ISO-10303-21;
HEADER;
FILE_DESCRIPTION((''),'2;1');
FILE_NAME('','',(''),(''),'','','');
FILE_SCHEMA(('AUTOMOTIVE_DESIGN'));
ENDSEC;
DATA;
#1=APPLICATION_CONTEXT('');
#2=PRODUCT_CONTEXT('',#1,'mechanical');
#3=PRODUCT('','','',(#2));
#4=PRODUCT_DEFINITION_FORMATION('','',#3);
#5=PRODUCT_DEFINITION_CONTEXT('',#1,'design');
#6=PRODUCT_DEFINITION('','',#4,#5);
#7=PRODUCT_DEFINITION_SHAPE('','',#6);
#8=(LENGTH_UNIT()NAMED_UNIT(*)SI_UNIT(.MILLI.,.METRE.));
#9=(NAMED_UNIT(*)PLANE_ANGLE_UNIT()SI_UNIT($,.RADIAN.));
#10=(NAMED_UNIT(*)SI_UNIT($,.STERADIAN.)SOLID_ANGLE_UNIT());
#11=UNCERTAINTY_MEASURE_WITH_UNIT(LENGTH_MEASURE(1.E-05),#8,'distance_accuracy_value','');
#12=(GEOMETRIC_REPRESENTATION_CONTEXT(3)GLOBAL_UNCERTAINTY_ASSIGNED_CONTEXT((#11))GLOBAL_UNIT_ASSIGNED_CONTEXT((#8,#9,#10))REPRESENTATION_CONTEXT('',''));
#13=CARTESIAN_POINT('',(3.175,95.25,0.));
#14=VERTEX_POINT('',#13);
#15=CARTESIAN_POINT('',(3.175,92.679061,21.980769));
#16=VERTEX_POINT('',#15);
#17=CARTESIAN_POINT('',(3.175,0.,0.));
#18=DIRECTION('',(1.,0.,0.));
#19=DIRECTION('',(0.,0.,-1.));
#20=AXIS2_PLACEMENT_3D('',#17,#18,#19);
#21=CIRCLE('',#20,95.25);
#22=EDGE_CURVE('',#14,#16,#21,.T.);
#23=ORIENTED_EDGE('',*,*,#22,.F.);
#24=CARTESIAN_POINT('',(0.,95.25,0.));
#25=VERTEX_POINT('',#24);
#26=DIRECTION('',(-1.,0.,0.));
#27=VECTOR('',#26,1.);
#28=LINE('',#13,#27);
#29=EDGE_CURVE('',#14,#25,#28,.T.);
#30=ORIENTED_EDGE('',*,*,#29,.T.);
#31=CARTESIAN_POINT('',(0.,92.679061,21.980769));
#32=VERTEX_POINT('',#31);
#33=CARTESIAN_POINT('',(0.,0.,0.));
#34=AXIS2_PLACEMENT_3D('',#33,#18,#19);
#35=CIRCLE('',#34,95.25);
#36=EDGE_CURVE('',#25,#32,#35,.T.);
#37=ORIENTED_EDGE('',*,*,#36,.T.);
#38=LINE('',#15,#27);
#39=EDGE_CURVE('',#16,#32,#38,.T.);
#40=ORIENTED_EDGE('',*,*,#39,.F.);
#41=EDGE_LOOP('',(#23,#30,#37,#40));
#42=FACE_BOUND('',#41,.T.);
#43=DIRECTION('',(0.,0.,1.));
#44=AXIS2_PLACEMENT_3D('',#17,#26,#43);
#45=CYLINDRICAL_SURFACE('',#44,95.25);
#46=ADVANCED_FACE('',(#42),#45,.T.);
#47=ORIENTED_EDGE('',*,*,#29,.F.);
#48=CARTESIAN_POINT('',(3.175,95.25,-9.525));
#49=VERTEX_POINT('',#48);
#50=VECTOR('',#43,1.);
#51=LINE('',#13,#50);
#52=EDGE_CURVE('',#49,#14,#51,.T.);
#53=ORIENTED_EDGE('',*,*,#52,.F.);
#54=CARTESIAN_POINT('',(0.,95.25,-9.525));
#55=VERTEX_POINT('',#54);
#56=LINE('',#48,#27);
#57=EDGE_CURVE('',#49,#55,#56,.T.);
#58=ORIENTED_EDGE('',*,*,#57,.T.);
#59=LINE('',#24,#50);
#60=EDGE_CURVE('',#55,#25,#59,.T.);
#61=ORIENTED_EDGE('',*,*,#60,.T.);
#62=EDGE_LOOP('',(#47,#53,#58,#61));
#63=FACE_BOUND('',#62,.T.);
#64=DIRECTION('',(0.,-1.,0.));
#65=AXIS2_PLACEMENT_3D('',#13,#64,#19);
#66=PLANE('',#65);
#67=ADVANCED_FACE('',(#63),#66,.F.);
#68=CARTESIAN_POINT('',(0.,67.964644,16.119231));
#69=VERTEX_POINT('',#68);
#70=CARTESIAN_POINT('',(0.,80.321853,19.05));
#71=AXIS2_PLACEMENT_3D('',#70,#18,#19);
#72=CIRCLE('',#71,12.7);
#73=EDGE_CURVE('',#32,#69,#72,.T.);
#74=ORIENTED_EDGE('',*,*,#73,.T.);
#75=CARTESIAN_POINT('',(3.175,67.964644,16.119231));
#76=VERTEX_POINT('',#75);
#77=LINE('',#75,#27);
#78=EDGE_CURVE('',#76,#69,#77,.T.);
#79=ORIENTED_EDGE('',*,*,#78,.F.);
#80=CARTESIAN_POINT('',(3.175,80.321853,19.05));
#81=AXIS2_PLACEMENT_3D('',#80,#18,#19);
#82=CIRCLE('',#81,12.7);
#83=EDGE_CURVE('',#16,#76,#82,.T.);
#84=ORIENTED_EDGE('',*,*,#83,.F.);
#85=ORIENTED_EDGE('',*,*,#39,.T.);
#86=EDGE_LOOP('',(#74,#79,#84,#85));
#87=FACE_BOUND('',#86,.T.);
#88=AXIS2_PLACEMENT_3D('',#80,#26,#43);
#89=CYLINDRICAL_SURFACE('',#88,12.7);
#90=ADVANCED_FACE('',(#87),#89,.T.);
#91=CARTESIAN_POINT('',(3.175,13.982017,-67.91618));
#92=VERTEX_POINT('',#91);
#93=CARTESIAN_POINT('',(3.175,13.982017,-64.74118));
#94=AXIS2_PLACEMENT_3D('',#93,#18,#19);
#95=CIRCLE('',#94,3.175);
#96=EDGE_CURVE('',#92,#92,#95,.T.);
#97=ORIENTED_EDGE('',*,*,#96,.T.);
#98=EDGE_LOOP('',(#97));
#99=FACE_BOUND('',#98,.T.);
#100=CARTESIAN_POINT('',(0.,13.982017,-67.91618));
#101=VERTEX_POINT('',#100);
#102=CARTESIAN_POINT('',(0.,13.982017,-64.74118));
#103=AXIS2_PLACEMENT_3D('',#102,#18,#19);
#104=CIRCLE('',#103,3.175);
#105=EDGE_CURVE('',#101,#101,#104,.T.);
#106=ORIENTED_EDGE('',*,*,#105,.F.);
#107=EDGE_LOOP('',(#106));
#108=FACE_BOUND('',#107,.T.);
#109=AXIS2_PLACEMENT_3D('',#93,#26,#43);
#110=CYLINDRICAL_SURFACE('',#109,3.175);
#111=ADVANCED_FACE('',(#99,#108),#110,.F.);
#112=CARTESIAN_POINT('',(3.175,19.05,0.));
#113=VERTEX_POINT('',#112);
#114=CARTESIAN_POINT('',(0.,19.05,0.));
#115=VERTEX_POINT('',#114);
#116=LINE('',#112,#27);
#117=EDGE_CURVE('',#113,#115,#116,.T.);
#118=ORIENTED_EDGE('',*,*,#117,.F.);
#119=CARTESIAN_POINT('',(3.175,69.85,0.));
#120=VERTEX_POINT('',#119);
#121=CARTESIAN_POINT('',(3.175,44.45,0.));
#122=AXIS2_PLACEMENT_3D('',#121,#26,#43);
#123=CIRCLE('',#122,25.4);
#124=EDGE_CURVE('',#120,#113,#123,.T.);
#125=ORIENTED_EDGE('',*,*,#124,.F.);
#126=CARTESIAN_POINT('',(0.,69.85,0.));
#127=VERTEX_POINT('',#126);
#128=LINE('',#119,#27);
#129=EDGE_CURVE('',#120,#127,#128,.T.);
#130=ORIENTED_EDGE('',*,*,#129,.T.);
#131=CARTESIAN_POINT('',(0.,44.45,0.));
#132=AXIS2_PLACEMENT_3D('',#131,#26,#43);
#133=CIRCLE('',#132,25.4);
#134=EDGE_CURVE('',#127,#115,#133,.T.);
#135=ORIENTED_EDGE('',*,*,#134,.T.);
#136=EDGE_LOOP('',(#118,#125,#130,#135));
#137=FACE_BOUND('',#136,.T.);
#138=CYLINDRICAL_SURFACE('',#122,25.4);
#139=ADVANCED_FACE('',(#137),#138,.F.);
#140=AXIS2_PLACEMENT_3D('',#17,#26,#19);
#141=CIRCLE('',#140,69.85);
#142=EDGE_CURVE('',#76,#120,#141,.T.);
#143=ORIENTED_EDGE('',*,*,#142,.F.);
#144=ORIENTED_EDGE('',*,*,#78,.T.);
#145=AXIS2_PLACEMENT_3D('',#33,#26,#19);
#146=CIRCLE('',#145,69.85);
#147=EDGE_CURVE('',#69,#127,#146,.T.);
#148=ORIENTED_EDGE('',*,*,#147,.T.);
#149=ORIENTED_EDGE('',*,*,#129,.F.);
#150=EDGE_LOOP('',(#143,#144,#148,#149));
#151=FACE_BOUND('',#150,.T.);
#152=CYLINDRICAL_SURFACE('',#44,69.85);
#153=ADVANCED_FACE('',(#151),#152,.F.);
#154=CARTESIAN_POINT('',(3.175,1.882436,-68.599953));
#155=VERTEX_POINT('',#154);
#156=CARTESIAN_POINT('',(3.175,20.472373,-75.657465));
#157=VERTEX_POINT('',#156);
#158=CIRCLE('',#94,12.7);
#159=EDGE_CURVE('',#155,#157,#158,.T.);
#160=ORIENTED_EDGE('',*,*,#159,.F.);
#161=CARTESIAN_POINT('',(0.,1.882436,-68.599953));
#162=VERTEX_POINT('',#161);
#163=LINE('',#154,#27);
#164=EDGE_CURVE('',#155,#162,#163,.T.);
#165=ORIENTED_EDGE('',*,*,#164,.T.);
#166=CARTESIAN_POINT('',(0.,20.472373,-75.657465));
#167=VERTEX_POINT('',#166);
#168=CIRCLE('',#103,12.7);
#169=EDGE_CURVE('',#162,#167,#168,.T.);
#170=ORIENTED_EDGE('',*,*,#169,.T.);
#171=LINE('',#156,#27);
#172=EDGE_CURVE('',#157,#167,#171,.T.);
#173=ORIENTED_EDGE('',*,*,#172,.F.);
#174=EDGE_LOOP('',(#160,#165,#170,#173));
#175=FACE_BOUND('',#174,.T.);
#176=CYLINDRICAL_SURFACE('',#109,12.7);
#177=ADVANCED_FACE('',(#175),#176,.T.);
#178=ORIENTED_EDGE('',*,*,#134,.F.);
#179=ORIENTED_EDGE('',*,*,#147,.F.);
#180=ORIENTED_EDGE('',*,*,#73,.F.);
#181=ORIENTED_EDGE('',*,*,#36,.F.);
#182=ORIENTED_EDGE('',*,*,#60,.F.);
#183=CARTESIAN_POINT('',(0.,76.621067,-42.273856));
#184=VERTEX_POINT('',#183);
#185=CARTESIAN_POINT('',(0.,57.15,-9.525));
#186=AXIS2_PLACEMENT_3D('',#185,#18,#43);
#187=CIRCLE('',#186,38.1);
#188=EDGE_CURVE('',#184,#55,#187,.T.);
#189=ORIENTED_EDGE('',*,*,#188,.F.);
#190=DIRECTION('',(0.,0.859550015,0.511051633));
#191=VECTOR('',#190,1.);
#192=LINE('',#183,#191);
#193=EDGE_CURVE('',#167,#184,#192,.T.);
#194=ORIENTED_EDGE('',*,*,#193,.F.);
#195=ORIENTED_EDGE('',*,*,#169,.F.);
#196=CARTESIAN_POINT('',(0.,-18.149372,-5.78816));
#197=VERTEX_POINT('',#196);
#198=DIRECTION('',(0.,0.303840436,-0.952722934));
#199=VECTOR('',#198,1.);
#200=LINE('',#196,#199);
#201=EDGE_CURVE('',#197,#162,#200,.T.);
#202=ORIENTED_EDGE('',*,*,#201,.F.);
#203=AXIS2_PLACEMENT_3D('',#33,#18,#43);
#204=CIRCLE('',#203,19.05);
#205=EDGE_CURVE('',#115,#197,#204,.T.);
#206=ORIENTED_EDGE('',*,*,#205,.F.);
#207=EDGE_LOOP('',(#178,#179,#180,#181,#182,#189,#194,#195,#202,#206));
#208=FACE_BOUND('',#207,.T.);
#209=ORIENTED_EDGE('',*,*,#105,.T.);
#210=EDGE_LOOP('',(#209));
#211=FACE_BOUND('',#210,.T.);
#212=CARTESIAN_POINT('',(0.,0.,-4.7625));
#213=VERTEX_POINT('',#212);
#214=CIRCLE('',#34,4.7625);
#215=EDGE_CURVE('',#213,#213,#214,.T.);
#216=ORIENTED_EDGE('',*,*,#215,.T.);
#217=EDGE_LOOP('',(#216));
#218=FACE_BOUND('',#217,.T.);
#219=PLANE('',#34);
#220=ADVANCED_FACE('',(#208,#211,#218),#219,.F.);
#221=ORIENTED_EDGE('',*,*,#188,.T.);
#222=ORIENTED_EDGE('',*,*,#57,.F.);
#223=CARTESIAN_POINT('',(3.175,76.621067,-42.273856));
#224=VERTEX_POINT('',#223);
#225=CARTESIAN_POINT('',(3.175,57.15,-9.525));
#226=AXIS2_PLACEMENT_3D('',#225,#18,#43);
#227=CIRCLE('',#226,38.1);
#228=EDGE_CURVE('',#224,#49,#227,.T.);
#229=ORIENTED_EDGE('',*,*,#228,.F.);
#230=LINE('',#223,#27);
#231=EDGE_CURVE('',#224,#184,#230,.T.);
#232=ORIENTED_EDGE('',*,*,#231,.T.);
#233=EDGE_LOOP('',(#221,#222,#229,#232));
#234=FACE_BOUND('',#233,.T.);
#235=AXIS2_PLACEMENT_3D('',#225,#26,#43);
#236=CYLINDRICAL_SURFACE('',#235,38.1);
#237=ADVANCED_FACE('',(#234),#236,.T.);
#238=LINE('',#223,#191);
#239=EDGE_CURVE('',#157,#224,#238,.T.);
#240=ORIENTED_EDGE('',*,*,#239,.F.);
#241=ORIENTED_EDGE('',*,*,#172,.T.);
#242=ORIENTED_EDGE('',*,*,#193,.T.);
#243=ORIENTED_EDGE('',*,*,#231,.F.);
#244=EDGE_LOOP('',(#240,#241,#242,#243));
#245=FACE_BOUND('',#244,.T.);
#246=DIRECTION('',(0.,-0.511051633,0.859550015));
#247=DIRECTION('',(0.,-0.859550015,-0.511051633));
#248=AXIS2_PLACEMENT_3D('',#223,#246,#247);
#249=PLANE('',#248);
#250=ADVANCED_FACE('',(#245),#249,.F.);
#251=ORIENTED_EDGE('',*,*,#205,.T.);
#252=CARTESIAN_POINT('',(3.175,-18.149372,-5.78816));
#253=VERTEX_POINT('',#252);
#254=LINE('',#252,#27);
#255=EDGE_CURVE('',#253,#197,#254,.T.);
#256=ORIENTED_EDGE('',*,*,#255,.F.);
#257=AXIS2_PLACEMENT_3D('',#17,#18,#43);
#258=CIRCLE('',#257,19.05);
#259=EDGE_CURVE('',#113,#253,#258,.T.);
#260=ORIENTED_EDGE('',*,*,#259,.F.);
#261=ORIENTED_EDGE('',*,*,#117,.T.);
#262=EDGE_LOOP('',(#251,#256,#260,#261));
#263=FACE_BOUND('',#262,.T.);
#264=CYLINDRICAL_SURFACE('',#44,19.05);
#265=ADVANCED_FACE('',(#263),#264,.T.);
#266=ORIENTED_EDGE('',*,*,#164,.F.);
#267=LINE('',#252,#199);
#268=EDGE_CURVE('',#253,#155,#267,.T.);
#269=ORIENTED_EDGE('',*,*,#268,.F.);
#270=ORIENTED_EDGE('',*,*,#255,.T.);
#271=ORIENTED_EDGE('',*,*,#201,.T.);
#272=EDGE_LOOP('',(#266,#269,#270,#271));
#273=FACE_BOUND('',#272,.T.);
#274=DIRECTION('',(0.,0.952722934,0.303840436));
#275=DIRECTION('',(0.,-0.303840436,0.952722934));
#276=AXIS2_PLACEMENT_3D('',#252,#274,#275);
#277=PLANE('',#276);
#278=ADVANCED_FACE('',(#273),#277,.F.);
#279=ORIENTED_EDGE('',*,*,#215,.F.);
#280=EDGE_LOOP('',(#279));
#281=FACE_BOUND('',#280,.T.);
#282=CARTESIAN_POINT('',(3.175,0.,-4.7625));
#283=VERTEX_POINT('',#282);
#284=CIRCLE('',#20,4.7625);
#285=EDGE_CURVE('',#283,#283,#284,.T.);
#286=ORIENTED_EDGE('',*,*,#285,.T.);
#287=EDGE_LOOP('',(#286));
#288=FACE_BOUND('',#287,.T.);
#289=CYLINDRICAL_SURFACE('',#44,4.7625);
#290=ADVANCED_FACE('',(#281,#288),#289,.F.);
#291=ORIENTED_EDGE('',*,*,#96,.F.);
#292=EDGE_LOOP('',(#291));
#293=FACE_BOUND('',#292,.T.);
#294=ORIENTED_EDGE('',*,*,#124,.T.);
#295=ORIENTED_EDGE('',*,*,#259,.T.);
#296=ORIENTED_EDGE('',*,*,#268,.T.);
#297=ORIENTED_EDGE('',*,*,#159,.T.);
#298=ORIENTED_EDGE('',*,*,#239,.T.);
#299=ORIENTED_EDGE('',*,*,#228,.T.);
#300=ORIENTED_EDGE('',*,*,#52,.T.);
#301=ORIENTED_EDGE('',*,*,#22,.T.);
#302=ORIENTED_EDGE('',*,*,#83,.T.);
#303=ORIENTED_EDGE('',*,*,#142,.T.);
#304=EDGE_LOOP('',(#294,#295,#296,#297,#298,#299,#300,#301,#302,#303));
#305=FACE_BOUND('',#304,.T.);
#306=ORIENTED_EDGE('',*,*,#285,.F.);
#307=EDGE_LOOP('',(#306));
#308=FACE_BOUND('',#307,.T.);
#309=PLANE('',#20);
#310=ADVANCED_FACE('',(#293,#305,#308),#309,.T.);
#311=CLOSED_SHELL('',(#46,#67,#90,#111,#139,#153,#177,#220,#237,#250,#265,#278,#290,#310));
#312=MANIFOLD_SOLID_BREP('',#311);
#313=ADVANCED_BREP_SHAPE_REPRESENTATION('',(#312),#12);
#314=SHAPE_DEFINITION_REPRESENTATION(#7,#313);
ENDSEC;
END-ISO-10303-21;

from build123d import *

# Parameters (mm, degrees)
SKETCH1_R           = 4.7625
SKETCH1_R_2         = 3.175
BOSS_EXTRUDE1_DEPTH = 3.175


with BuildPart() as part:
    # Sketch1 → Boss-Extrude1 (new body)
    with BuildSketch(Plane(origin=(0, 0, 0), x_dir=(0, 0, -1), z_dir=(1, 0, 0))):
        with BuildLine():
            Line((5.788160309, -18.149371896), (68.599953325, 1.882435781))
            ThreePointArc((68.599953325, 1.882435781), (76.614344046, 9.474471101), (75.657464978, 20.472372782))
            Line((75.657464978, 20.472372782), (42.273855579, 76.621067209))
            ThreePointArc((42.273855579, 76.621067209), (28.363289988, 90.266896448), (9.525, 95.25))
            Line((9.525, 95.25), (0, 95.25))
            ThreePointArc((0, 95.25), (-11.065305521, 94.60508186), (-21.980769231, 92.679060656))
            ThreePointArc((-21.980769231, 92.679060656), (-31.407208087, 77.391083338), (-16.119230769, 67.964644481))
            ThreePointArc((-16.119230769, 67.964644481), (-8.114557382, 69.377060031), (0, 69.85))
            ThreePointArc((0, 69.85), (25.4, 44.45), (0, 19.05))
            ThreePointArc((0, 19.05), (-18.823496416, -2.928904691), (5.788160309, -18.149371896))
        make_face()
        Circle(SKETCH1_R, mode=Mode.SUBTRACT)
        with Locations((64.741179785, 13.982017045)):
            Circle(SKETCH1_R_2, mode=Mode.SUBTRACT)
    extrude(amount=BOSS_EXTRUDE1_DEPTH)


solid = part.part
